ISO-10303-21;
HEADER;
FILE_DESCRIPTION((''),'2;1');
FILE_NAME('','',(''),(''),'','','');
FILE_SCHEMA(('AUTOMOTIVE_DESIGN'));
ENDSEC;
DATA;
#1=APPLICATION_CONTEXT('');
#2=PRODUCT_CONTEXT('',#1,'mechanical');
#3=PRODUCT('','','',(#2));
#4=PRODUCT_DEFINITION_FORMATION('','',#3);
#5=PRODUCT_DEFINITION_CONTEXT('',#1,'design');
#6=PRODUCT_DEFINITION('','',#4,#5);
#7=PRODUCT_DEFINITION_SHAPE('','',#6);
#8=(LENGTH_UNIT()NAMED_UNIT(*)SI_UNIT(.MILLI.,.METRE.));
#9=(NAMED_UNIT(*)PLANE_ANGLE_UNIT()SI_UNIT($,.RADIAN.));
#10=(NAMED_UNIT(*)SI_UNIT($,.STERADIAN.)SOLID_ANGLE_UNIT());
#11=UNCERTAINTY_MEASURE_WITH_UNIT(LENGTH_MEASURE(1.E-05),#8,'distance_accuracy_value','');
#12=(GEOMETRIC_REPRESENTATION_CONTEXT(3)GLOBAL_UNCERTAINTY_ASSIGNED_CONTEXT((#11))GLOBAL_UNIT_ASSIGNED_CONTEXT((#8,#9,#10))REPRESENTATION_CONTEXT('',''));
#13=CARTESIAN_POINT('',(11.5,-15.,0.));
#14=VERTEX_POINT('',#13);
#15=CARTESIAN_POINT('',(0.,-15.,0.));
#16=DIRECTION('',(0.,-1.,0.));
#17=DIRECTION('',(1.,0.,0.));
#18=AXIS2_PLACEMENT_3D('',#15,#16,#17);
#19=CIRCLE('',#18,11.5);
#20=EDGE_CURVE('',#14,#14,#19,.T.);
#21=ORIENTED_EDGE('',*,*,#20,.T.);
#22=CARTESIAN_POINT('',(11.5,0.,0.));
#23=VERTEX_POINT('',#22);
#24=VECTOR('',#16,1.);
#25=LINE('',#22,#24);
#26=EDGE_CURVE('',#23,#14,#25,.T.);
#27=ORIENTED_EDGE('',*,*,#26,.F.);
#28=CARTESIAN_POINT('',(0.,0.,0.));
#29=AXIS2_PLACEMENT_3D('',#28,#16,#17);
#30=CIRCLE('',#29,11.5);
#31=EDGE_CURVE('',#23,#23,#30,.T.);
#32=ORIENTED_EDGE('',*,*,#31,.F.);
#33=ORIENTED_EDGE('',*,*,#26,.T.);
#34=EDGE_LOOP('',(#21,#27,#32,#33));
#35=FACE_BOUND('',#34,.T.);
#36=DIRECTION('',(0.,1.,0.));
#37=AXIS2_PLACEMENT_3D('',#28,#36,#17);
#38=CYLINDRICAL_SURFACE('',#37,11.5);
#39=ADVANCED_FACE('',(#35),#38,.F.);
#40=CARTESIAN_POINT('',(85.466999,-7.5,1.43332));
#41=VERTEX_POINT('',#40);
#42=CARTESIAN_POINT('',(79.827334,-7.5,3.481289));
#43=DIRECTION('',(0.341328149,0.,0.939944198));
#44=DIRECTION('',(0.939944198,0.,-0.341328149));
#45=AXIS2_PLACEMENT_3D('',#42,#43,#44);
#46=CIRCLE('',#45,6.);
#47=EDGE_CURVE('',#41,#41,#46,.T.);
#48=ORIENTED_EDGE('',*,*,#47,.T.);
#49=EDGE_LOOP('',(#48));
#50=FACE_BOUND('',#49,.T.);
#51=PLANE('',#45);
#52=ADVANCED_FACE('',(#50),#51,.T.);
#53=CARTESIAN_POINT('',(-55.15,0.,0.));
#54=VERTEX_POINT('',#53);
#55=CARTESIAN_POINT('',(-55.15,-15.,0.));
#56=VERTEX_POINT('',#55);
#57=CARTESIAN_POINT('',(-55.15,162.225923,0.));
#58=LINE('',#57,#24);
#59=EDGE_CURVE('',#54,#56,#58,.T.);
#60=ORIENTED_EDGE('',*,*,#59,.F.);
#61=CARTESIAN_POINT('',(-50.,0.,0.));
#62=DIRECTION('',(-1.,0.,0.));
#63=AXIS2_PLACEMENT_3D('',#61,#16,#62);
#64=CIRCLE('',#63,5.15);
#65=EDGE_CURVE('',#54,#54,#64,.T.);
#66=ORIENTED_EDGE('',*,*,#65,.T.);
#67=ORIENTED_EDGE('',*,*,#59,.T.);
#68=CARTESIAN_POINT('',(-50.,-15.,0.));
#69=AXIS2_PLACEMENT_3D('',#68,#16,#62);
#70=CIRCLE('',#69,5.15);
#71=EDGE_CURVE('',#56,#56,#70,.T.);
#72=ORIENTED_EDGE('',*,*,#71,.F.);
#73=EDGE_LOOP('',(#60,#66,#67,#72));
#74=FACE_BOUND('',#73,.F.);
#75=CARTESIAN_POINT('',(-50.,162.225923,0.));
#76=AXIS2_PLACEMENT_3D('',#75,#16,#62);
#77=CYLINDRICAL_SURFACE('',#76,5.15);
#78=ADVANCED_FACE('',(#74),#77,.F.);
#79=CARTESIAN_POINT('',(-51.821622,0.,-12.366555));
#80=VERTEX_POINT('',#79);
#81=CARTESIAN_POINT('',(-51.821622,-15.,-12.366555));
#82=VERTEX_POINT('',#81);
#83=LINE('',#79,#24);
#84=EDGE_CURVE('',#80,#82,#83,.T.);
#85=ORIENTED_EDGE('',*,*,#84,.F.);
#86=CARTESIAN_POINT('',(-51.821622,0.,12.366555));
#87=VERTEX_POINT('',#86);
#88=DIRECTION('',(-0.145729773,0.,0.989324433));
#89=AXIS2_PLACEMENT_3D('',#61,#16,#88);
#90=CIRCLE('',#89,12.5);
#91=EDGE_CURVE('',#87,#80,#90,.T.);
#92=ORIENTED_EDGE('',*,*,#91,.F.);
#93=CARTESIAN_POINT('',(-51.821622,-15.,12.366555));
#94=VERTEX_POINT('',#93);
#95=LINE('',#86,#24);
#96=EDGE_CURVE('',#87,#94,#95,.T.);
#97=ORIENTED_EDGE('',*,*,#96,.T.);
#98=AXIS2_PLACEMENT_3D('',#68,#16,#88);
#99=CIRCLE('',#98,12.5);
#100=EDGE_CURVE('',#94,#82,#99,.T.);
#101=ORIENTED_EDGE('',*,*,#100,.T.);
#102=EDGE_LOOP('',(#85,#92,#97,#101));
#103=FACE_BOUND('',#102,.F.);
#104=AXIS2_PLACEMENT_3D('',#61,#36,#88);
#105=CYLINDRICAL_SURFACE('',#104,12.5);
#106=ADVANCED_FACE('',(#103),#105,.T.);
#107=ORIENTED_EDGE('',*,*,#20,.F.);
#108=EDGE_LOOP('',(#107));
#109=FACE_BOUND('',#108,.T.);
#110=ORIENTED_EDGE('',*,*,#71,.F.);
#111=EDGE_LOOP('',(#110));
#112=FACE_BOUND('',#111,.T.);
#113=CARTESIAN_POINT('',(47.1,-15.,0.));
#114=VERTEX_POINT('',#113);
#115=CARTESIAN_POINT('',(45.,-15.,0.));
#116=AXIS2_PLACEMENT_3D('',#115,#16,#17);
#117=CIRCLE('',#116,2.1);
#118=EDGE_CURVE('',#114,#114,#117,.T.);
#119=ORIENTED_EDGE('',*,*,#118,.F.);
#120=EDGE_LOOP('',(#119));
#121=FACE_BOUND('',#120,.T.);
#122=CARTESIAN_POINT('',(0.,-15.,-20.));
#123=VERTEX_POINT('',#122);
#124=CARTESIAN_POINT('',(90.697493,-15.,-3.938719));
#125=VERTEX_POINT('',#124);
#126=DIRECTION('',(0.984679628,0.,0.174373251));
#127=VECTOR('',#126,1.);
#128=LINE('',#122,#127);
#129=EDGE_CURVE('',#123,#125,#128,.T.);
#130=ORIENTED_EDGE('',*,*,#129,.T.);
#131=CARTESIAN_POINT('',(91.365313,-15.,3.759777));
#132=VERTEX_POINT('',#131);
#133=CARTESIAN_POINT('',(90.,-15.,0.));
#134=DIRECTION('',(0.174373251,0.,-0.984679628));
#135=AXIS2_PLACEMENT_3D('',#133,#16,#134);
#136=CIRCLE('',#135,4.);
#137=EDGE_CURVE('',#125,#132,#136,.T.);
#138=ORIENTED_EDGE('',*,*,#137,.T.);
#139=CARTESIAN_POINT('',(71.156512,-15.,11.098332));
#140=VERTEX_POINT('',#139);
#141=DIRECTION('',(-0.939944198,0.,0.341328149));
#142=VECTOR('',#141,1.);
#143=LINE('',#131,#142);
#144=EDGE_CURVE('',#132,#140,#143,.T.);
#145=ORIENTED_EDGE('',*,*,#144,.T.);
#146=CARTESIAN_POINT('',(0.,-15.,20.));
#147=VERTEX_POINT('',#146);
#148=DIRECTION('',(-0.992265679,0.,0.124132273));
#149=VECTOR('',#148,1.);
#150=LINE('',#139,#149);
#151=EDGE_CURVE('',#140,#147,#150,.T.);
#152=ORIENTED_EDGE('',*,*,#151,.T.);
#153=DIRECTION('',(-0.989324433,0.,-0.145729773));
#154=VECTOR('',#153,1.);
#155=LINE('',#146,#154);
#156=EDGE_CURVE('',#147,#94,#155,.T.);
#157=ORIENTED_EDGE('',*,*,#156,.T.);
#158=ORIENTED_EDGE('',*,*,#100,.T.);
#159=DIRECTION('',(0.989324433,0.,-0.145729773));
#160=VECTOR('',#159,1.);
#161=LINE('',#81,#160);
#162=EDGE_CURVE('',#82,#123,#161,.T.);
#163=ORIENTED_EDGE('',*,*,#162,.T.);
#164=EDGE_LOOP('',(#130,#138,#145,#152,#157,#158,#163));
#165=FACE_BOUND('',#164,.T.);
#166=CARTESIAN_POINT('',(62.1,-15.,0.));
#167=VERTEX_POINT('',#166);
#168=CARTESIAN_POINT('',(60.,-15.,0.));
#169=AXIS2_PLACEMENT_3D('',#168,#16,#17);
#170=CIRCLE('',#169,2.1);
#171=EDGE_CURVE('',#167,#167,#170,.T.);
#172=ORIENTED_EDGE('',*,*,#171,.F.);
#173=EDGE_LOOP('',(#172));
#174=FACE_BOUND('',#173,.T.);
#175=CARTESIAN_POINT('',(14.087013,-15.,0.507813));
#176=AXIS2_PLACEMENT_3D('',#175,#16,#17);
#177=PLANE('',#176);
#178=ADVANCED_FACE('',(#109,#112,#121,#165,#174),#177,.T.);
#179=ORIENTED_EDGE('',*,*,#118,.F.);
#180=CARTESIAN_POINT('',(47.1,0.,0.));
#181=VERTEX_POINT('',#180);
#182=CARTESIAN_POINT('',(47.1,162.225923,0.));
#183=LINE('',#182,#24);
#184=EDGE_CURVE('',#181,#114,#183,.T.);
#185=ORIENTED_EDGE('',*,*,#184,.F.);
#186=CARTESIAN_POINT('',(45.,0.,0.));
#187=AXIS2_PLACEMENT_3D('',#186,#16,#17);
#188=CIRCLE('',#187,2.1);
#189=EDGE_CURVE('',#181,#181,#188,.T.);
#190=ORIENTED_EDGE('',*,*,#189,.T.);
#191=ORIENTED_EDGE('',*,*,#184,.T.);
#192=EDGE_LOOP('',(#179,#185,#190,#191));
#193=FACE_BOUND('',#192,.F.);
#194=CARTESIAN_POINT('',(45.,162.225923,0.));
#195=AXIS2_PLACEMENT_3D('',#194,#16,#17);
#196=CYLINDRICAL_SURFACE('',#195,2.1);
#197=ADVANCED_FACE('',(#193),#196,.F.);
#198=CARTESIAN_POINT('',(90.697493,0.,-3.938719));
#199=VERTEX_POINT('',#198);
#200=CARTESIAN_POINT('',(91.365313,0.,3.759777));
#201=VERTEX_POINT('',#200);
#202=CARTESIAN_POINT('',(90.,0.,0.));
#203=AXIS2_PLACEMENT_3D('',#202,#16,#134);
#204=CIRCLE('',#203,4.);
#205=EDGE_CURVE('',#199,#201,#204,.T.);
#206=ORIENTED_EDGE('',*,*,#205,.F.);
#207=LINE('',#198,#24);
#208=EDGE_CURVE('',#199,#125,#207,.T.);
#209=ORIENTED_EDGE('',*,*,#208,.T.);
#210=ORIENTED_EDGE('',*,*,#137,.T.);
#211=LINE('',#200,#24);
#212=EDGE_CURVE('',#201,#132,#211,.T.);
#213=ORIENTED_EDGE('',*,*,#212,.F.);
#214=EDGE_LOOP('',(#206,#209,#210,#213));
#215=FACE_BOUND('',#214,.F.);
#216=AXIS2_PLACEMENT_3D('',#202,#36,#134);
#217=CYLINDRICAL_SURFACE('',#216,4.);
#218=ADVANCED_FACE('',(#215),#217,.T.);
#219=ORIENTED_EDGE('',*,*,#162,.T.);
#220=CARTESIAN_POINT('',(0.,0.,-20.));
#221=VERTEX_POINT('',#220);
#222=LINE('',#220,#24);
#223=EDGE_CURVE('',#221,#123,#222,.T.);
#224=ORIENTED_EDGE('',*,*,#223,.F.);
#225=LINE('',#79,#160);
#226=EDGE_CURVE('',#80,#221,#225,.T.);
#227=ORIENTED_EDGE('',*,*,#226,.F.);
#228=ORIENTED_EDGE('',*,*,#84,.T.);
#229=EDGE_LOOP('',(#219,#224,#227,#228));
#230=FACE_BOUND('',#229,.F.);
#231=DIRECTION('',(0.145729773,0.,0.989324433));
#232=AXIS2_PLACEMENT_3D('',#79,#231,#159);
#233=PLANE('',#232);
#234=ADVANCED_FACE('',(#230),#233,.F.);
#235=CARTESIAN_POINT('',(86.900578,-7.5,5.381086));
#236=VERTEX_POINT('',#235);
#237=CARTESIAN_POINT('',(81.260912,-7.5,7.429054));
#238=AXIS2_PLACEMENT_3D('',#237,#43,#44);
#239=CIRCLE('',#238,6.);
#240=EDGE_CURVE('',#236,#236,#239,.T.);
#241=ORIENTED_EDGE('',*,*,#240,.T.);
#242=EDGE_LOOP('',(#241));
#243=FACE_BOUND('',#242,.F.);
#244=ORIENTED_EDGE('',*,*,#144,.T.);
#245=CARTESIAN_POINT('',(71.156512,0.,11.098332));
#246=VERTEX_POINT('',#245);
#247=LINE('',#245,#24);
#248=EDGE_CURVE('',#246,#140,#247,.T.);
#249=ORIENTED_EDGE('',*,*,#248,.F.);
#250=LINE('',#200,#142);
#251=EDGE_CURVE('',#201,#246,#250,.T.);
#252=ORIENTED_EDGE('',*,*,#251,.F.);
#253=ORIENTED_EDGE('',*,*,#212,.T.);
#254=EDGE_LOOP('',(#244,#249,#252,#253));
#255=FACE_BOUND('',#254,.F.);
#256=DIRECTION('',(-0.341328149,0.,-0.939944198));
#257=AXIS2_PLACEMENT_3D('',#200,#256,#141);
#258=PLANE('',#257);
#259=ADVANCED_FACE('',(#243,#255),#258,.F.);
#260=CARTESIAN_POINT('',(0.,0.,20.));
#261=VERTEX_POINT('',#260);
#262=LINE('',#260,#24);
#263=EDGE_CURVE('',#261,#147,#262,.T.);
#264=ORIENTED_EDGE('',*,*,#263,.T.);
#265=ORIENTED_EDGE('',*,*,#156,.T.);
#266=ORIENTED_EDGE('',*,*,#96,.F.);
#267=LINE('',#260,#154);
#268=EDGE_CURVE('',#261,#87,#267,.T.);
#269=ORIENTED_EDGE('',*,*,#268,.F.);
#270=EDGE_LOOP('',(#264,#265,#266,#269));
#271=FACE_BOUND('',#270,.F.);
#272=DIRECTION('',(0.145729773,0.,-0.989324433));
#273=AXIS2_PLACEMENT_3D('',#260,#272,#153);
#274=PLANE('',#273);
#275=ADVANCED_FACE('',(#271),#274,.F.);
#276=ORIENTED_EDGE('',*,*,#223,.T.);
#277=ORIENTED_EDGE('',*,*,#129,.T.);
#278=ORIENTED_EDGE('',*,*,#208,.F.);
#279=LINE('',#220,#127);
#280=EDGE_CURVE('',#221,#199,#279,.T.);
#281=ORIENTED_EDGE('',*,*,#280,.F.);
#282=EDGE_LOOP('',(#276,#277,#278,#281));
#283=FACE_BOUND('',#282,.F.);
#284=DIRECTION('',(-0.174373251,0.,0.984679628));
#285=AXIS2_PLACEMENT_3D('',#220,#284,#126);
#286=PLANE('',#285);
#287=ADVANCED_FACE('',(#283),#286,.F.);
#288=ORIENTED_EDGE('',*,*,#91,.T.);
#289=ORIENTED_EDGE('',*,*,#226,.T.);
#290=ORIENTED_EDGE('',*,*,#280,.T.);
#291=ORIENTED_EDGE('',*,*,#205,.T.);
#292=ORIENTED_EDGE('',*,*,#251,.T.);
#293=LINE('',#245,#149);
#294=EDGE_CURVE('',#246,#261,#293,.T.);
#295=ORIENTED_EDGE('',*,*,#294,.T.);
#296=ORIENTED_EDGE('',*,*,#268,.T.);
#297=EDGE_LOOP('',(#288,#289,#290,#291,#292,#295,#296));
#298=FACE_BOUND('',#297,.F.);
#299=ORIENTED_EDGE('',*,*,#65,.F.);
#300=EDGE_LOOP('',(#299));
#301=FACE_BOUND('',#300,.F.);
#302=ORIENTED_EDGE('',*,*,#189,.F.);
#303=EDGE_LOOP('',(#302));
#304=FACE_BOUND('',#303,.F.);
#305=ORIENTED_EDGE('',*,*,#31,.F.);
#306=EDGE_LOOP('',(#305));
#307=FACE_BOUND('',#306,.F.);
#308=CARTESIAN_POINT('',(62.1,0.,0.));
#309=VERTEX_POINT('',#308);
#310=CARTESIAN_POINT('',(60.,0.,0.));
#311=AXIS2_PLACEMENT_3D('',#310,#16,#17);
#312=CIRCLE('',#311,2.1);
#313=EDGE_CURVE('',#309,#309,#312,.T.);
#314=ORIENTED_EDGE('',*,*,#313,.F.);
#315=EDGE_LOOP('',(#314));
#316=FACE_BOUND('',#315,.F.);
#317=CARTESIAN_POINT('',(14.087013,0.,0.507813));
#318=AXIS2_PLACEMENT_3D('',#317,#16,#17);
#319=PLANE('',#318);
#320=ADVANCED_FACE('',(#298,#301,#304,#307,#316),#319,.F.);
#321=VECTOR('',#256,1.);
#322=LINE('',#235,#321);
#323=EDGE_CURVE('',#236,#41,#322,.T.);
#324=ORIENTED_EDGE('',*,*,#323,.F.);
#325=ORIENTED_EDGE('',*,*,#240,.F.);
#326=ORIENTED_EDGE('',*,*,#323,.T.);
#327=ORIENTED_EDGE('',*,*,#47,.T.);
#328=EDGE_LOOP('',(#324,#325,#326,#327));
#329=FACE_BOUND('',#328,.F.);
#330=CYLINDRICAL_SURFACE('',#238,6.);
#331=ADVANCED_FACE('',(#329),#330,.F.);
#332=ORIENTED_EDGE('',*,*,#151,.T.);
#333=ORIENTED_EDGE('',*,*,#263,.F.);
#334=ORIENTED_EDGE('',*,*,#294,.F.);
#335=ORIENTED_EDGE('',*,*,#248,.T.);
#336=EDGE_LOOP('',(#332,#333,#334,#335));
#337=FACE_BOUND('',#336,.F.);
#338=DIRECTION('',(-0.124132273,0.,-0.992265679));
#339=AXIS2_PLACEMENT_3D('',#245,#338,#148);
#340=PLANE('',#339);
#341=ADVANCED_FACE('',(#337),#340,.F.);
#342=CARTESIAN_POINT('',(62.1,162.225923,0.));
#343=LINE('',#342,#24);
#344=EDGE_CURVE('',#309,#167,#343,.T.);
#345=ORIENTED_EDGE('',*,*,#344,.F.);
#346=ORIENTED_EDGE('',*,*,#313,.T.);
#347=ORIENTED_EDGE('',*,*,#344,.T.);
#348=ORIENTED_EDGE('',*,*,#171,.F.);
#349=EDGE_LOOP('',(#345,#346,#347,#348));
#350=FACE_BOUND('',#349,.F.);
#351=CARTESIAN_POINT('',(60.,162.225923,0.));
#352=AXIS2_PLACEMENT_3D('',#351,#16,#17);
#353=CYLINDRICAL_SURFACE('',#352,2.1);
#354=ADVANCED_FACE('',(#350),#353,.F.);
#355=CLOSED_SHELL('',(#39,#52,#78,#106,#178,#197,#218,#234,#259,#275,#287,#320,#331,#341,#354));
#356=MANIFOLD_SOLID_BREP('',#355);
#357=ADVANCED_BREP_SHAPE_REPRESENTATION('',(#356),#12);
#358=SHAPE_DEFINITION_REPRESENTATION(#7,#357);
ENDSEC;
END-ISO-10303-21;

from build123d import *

# Parameters (mm, degrees)
F0_R     = 11.5
F1_DEPTH = 15
F3_D     = 4.2
F4_D     = 10.3
F5_R     = 6
F6_DEPTH = 4.2


with BuildPart() as f1:
    # F0 (on Front) → F1 (new body)
    with BuildSketch(Plane.XZ):
        with BuildLine():
            Line((71.156512348, 11.0983319967), (0, 20))
            Line((0, 20), (-51.8216221637, 12.3665554094))
            ThreePointArc((-51.8216221637, 12.3665554094), (-62.5, 0), (-51.8216221637, -12.3665554094))
            Line((-51.8216221637, -12.3665554094), (0, -20))
            Line((0, -20), (90.6974930025, -3.9387185113))
            ThreePointArc((90.6974930025, -3.9387185113), (93.9850344054, -0.3456888592), (91.3653125965, 3.7597767904))
            Line((91.3653125965, 3.7597767904), (71.156512348, 11.0983319967))
        make_face()
        Circle(F0_R, mode=Mode.SUBTRACT)
    extrude(amount=F1_DEPTH)

    # F3 (through all)
    with Locations(Plane(origin=(0, 0, 0), x_dir=(-1, 0, 0), z_dir=(0, 1, 0))):
        with Locations((-60, 0), (-45, 0)):
            Hole(F3_D / 2)

    # F4 (through all)
    with Locations(Plane(origin=(0, 0, 0), x_dir=(1, 0, 0), z_dir=(0, 1, 0))):
        with Locations((-50, 0)):
            Hole(F4_D / 2)

    # F5 (on face) → F6 (cut)
    with BuildSketch(Plane(origin=(11.8507540815, 0, 32.6344239833), x_dir=(0.9399441976, 0, -0.3413281491), z_dir=(0.3413281491, 0, 0.9399441976))):
        with Locations((73.8449777845, -7.5)):
            Circle(F5_R)
    extrude(amount=-F6_DEPTH, mode=Mode.SUBTRACT)


solid = f1.part
